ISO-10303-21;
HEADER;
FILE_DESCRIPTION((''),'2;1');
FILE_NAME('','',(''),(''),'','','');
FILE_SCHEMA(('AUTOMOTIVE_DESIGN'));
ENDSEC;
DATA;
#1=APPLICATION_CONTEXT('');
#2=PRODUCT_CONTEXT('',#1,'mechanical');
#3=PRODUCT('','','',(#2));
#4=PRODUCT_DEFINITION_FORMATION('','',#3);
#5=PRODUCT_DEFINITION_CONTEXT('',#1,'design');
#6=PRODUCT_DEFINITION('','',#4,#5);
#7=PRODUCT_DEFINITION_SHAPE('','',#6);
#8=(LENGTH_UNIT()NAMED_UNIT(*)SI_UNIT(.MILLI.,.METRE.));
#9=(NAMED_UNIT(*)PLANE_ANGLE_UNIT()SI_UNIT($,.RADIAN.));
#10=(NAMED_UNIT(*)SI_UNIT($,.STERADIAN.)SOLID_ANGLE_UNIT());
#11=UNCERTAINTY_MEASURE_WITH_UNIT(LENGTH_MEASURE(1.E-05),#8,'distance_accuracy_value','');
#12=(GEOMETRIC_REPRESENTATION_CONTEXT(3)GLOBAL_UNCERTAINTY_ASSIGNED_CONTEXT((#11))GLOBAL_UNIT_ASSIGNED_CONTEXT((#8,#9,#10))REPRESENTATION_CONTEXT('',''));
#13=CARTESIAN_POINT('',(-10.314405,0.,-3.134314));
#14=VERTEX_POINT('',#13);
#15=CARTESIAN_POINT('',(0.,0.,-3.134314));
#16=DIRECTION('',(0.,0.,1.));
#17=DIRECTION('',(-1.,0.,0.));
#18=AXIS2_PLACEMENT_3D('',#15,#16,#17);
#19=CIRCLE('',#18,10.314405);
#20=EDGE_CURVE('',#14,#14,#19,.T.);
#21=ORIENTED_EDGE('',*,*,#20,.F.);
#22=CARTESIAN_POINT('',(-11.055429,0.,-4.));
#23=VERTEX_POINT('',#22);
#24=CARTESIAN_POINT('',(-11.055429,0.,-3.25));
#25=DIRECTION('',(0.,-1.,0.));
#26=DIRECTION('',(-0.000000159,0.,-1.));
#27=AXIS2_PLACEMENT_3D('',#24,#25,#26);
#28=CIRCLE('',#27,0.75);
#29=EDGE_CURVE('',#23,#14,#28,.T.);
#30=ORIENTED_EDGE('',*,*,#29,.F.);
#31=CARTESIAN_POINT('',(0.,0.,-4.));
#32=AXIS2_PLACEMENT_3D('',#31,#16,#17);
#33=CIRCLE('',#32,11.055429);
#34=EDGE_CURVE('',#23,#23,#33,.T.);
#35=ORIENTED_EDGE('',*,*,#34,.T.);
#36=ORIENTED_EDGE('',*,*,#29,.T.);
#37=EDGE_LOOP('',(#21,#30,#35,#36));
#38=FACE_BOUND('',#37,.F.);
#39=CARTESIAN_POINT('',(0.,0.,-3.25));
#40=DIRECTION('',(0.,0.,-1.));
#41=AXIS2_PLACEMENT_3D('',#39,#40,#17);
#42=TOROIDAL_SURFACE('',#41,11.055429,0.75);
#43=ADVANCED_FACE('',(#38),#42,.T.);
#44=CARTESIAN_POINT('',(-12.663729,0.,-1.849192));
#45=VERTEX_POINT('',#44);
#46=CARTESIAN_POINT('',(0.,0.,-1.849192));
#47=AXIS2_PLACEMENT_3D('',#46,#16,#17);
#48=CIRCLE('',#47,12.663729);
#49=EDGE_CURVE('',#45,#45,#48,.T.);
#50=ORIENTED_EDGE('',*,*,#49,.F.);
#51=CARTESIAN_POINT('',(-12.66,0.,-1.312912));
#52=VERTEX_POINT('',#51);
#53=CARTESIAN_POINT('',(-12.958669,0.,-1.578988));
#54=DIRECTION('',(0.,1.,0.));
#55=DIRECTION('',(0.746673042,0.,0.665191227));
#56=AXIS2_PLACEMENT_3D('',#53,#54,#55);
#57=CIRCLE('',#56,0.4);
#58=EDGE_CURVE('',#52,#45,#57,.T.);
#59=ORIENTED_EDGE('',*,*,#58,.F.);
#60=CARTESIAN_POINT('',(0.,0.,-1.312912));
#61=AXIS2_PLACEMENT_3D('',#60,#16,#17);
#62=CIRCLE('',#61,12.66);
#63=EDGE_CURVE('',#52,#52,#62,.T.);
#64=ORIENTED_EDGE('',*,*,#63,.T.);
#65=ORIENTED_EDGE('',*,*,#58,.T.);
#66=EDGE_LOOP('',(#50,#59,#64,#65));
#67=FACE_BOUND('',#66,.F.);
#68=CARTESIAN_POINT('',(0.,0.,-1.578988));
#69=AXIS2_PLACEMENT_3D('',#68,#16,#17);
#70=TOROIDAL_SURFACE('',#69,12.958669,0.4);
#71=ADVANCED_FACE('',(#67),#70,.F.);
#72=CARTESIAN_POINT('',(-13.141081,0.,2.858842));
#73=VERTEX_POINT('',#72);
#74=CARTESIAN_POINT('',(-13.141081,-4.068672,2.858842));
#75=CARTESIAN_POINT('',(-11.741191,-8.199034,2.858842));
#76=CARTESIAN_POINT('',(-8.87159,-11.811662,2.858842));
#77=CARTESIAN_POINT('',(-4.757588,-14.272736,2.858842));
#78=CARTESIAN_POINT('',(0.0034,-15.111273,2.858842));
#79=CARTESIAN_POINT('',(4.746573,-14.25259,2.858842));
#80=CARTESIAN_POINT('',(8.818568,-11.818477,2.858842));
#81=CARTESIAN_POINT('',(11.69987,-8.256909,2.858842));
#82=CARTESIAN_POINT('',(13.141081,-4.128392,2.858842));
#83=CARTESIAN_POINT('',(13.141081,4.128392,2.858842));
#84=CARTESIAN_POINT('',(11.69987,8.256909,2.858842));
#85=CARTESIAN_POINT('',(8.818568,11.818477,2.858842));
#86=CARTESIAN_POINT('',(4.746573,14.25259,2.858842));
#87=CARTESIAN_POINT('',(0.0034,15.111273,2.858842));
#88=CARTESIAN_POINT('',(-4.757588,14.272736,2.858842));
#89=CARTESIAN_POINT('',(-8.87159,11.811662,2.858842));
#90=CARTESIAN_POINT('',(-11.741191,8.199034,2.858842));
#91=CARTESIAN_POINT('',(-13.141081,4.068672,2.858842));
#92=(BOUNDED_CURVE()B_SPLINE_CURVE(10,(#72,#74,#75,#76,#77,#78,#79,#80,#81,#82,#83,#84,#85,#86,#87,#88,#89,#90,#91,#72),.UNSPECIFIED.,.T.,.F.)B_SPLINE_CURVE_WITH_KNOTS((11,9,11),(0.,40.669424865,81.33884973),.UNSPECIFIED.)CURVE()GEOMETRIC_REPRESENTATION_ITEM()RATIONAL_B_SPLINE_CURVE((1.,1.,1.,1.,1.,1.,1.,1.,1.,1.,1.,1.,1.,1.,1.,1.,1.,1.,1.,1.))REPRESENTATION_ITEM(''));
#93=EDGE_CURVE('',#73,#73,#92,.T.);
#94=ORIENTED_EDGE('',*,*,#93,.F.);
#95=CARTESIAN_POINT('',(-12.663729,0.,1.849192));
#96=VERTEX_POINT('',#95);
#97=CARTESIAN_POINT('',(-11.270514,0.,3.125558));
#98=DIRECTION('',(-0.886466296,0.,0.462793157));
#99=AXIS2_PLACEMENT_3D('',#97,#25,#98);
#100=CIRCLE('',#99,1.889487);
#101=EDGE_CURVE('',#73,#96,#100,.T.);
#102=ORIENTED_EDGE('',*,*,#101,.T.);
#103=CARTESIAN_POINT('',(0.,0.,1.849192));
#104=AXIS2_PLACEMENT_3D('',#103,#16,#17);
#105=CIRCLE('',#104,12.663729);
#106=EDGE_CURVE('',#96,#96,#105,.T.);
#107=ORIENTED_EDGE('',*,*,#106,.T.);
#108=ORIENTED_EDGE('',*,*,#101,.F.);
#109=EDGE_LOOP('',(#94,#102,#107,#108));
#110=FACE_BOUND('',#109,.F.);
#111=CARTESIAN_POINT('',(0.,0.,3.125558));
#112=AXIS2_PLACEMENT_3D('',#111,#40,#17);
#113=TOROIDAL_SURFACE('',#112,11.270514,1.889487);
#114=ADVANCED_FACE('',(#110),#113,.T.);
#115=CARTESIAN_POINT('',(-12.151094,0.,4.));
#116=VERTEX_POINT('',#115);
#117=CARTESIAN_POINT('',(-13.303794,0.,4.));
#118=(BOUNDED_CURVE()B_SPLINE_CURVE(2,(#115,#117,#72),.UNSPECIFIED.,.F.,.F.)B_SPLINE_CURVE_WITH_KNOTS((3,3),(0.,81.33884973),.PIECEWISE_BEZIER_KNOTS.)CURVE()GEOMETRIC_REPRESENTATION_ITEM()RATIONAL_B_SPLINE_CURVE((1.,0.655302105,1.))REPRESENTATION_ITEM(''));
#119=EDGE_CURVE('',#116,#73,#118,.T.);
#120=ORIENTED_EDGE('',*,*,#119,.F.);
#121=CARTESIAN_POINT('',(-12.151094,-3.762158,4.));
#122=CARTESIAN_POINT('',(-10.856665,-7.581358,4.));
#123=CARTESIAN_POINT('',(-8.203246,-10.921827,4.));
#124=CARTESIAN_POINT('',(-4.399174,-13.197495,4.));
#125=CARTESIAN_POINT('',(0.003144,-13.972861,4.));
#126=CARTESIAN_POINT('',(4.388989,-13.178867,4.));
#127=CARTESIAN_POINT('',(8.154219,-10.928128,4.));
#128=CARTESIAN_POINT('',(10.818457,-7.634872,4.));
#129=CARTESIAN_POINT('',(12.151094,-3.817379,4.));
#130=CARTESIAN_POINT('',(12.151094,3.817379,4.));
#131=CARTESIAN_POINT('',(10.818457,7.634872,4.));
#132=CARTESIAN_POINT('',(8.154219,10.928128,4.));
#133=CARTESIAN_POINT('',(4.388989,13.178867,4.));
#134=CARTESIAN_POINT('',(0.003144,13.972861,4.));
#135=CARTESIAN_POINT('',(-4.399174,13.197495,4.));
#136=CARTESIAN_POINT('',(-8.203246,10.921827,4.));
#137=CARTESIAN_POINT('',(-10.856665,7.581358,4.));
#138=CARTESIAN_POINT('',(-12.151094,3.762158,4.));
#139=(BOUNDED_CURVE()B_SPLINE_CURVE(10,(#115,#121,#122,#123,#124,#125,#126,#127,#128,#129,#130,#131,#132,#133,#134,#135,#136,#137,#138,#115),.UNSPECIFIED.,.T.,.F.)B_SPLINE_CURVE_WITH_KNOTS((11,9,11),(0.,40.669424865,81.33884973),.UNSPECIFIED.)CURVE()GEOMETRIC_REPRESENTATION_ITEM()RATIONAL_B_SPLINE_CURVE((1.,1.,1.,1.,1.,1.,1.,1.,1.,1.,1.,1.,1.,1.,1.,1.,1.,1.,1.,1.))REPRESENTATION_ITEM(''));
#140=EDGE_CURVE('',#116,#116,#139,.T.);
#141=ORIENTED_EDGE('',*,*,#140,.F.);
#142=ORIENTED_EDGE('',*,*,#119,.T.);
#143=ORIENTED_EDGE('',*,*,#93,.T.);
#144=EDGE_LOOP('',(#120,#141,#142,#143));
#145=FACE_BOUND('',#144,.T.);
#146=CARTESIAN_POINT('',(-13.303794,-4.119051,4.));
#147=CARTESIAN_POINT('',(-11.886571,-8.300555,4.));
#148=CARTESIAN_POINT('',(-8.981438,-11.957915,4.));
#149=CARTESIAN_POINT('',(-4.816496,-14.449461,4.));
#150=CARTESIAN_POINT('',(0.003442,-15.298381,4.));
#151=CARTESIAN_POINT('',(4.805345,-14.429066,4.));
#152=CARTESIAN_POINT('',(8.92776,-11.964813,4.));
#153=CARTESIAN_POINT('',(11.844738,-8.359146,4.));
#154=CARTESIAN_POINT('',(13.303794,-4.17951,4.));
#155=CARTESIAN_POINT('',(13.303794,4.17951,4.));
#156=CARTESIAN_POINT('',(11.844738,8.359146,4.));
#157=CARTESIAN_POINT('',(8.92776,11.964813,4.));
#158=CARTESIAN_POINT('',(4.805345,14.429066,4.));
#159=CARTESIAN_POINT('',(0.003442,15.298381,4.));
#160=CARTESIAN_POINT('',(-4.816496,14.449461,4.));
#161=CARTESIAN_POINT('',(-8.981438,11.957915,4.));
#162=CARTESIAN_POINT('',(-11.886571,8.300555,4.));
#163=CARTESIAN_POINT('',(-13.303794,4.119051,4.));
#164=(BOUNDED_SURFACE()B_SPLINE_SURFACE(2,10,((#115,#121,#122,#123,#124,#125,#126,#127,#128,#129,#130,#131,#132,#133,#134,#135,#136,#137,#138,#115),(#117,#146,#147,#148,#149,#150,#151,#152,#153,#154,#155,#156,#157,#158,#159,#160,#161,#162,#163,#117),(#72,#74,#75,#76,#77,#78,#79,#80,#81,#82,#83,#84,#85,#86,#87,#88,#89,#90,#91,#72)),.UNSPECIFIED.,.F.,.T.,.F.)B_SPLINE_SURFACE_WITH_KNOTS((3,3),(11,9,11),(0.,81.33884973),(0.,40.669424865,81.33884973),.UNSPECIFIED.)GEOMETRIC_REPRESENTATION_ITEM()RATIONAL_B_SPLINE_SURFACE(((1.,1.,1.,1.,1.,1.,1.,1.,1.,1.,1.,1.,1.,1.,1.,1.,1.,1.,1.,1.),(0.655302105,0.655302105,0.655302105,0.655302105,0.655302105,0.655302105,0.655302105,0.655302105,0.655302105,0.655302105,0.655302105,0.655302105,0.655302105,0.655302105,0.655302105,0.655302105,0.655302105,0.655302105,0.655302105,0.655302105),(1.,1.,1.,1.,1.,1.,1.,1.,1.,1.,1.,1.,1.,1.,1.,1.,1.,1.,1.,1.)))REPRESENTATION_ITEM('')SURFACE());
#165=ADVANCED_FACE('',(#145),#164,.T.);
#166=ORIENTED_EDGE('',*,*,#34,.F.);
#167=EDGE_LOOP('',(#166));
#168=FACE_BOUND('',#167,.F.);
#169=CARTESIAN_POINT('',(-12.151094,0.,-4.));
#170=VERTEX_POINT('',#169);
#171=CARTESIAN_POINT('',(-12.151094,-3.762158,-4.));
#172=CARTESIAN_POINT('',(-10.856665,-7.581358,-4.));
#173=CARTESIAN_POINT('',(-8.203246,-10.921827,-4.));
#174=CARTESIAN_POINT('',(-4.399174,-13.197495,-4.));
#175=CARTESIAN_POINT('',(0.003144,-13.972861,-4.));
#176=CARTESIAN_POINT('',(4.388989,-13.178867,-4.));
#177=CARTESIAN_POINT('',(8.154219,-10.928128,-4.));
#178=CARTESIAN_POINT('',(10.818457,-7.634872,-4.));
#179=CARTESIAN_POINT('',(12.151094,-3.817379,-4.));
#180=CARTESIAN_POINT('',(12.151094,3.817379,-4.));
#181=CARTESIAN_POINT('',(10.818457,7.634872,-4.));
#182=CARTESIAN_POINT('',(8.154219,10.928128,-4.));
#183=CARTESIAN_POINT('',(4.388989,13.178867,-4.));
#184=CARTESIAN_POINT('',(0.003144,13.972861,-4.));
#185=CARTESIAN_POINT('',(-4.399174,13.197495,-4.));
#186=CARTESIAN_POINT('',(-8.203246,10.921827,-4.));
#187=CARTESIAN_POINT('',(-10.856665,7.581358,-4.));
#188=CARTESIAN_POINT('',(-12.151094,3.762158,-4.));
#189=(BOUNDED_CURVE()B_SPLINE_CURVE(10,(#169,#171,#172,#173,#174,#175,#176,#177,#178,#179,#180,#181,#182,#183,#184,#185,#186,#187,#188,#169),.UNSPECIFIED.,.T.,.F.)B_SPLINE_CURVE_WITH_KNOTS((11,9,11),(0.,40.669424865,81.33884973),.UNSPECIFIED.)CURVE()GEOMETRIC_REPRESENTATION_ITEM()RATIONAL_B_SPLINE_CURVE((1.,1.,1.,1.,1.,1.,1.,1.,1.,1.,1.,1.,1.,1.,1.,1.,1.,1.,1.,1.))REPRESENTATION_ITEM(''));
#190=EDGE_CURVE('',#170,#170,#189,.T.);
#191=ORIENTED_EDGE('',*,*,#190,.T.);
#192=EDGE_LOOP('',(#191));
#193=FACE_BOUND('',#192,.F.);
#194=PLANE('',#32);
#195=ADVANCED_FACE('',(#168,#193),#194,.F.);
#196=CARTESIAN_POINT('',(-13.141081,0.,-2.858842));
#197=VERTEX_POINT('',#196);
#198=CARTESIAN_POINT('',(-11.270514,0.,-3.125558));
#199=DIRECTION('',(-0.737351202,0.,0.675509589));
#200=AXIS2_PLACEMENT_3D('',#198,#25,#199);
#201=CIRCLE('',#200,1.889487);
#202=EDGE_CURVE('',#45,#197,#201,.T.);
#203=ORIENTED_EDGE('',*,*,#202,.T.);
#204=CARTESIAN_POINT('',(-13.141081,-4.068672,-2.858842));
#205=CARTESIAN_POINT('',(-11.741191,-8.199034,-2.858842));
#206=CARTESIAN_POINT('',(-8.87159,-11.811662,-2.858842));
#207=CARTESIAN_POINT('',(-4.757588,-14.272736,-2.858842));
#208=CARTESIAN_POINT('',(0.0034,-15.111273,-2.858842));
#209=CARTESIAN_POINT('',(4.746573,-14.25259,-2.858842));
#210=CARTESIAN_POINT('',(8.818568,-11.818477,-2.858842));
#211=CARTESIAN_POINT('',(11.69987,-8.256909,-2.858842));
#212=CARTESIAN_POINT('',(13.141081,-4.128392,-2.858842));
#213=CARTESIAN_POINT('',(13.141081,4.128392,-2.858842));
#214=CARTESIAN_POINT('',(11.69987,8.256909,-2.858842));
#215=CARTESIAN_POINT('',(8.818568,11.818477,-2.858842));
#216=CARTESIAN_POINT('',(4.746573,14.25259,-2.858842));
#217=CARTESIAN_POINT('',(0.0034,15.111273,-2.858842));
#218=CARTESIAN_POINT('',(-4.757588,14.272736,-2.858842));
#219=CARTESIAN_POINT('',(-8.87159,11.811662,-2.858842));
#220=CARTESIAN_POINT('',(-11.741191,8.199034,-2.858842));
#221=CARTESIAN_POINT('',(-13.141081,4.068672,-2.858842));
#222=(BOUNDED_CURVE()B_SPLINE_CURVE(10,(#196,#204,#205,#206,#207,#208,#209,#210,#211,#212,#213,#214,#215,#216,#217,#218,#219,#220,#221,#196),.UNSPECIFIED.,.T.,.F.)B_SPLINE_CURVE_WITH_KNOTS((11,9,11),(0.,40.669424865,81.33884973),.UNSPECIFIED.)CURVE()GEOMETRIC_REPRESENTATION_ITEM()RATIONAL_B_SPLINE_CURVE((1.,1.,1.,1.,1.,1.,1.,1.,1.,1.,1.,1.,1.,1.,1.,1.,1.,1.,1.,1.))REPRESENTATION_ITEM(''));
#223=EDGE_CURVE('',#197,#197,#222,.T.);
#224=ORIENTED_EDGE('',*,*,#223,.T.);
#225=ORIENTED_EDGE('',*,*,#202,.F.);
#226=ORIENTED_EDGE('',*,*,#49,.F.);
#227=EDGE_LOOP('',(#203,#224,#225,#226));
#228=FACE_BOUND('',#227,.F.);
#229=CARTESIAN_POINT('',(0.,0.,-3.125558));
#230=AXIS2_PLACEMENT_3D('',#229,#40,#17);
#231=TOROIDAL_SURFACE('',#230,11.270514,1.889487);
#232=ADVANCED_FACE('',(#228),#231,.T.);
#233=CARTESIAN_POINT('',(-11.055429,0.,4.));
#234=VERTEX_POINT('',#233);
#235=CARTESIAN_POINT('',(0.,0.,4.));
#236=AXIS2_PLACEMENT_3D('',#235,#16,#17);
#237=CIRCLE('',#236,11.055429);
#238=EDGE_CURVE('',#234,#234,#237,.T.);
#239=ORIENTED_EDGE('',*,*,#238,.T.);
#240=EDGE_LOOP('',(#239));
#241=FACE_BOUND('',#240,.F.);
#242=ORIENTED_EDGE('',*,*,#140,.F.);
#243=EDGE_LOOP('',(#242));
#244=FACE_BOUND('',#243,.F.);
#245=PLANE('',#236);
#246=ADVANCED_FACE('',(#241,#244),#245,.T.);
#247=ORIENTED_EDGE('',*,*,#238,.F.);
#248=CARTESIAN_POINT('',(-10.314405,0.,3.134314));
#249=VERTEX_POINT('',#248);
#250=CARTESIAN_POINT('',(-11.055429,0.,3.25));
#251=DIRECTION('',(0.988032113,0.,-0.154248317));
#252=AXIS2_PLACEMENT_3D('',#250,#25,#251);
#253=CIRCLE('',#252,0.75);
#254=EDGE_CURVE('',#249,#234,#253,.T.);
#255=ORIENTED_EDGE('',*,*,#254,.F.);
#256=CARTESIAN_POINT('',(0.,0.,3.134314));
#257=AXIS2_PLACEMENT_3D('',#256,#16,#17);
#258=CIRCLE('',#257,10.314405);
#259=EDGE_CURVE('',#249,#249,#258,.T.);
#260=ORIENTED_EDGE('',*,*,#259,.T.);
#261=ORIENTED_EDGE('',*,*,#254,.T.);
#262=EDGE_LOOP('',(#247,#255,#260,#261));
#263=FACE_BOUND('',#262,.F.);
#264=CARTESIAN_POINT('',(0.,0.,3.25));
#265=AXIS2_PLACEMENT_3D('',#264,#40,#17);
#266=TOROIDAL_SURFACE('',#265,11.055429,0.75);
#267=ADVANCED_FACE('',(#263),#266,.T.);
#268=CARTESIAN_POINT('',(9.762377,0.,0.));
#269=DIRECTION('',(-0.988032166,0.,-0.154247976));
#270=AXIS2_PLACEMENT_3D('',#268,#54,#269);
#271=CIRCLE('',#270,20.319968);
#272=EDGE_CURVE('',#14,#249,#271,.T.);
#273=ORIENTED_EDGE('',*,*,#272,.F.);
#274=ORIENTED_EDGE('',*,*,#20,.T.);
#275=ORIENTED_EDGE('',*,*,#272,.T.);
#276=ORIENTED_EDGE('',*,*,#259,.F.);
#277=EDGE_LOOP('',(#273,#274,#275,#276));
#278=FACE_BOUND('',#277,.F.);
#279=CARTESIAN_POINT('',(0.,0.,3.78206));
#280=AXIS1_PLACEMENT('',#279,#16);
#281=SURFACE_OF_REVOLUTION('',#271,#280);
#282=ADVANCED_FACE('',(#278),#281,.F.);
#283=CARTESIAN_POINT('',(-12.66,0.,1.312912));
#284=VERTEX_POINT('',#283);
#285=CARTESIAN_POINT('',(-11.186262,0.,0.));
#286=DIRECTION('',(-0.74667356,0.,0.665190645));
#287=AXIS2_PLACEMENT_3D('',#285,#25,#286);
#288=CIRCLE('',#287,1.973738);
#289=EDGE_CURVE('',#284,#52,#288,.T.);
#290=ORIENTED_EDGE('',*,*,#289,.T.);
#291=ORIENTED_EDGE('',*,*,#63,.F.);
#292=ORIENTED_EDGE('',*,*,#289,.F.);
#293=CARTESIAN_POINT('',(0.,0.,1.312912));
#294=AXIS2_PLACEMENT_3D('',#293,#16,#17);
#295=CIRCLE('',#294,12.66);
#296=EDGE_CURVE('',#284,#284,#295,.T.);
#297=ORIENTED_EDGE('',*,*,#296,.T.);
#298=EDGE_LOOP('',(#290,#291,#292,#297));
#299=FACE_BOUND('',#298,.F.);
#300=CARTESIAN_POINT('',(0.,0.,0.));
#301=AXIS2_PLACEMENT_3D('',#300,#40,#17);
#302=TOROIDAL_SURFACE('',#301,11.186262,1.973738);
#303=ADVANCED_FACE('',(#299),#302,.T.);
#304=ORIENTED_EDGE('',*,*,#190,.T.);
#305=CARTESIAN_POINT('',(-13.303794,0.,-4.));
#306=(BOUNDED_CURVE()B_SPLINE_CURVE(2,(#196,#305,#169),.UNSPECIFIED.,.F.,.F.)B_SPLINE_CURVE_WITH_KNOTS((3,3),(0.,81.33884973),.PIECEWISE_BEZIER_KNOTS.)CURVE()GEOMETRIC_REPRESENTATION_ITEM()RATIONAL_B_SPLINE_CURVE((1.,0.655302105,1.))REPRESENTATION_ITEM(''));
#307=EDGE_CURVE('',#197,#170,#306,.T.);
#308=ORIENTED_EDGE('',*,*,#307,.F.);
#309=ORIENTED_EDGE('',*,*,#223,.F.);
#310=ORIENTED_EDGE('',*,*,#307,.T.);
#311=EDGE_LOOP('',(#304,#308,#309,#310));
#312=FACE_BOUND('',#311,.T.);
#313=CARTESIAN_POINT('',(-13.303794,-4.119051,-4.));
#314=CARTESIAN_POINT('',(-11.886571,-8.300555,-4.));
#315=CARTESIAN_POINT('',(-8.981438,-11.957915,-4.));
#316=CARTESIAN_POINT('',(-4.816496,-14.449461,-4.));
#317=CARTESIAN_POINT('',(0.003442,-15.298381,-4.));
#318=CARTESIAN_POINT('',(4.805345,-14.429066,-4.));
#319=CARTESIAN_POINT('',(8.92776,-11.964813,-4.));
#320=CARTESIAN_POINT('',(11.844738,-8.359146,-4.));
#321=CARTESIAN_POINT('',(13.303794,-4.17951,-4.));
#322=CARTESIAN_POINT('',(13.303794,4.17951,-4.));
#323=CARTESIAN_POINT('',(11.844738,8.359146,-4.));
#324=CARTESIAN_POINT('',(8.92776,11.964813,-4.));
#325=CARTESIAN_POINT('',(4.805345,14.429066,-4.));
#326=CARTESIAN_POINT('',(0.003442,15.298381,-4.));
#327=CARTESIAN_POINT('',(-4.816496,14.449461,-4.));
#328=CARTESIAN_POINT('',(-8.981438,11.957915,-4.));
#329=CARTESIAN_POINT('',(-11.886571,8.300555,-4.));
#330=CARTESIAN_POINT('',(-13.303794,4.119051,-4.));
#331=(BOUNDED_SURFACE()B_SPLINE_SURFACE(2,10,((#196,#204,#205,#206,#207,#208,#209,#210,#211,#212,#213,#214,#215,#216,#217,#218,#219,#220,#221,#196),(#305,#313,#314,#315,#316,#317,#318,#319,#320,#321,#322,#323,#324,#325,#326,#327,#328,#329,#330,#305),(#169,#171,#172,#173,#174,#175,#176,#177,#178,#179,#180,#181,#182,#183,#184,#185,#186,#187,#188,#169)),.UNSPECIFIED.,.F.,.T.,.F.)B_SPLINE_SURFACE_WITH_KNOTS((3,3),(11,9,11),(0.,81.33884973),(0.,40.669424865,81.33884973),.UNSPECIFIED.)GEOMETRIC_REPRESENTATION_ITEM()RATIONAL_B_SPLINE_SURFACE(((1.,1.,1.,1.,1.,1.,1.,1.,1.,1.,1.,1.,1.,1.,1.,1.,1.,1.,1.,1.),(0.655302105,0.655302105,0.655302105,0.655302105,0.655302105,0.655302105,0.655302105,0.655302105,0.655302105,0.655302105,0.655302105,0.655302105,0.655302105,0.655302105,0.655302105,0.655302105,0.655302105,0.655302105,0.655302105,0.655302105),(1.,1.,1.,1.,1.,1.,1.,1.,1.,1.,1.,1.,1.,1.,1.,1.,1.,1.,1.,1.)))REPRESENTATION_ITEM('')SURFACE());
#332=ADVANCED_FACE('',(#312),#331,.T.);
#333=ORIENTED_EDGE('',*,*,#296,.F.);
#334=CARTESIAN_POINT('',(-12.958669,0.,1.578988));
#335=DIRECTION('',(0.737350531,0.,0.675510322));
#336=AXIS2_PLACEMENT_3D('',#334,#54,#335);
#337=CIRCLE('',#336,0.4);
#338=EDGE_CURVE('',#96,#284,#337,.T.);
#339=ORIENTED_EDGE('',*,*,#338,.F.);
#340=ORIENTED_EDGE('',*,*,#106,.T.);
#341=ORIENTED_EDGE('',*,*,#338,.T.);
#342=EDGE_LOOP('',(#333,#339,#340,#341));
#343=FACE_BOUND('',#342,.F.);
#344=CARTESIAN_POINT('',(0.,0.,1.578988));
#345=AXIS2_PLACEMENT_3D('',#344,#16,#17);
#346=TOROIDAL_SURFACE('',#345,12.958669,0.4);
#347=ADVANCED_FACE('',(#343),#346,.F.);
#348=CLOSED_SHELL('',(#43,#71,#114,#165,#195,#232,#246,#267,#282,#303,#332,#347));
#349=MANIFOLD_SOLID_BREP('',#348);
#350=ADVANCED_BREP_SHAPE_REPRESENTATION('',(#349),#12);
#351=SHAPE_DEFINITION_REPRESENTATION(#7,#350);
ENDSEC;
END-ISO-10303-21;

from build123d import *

# Parameters (mm, degrees)
F2_R = 1


with BuildPart() as f1:
    # F0 (on Front) → F1 (revolve)
    with BuildSketch(Plane.XZ):
        with BuildLine():
            ThreePointArc((-10.314405, -3.134314), (-10.557591, 0), (-10.314405, 3.134314))
            ThreePointArc((-10.314405, 3.134314), (-10.485664, 3.737717), (-11.055429, 4))
            Line((-11.055429, 4), (-12.94548, 4))
            ThreePointArc((-12.94548, 4), (-13.143994, 2.880137), (-12.663729, 1.849192))
            ThreePointArc((-12.663729, 1.849192), (-12.558679, 1.581769), (-12.66, 1.312912))
            ThreePointArc((-12.66, 1.312912), (-13.16, 0), (-12.66, -1.312912))
            ThreePointArc((-12.66, -1.312912), (-12.558679, -1.581769), (-12.663729, -1.849192))
            ThreePointArc((-12.663729, -1.849192), (-13.143994, -2.880137), (-12.94548, -4))
            Line((-12.94548, -4), (-11.055429, -4))
            ThreePointArc((-11.055429, -4), (-10.485664, -3.737717), (-10.314405, -3.134314))
        make_face()
    revolve(axis=Axis((0, 0, 3.78206), (0, 0, 1)))

    # F2
    f2_edges = [f1.edges().sort_by_distance(p)[0] for p in [
        (12.94548, 0, 4),
        (12.94548, 0, -4),
    ]]
    fillet(f2_edges, radius=F2_R)


solid = f1.part
